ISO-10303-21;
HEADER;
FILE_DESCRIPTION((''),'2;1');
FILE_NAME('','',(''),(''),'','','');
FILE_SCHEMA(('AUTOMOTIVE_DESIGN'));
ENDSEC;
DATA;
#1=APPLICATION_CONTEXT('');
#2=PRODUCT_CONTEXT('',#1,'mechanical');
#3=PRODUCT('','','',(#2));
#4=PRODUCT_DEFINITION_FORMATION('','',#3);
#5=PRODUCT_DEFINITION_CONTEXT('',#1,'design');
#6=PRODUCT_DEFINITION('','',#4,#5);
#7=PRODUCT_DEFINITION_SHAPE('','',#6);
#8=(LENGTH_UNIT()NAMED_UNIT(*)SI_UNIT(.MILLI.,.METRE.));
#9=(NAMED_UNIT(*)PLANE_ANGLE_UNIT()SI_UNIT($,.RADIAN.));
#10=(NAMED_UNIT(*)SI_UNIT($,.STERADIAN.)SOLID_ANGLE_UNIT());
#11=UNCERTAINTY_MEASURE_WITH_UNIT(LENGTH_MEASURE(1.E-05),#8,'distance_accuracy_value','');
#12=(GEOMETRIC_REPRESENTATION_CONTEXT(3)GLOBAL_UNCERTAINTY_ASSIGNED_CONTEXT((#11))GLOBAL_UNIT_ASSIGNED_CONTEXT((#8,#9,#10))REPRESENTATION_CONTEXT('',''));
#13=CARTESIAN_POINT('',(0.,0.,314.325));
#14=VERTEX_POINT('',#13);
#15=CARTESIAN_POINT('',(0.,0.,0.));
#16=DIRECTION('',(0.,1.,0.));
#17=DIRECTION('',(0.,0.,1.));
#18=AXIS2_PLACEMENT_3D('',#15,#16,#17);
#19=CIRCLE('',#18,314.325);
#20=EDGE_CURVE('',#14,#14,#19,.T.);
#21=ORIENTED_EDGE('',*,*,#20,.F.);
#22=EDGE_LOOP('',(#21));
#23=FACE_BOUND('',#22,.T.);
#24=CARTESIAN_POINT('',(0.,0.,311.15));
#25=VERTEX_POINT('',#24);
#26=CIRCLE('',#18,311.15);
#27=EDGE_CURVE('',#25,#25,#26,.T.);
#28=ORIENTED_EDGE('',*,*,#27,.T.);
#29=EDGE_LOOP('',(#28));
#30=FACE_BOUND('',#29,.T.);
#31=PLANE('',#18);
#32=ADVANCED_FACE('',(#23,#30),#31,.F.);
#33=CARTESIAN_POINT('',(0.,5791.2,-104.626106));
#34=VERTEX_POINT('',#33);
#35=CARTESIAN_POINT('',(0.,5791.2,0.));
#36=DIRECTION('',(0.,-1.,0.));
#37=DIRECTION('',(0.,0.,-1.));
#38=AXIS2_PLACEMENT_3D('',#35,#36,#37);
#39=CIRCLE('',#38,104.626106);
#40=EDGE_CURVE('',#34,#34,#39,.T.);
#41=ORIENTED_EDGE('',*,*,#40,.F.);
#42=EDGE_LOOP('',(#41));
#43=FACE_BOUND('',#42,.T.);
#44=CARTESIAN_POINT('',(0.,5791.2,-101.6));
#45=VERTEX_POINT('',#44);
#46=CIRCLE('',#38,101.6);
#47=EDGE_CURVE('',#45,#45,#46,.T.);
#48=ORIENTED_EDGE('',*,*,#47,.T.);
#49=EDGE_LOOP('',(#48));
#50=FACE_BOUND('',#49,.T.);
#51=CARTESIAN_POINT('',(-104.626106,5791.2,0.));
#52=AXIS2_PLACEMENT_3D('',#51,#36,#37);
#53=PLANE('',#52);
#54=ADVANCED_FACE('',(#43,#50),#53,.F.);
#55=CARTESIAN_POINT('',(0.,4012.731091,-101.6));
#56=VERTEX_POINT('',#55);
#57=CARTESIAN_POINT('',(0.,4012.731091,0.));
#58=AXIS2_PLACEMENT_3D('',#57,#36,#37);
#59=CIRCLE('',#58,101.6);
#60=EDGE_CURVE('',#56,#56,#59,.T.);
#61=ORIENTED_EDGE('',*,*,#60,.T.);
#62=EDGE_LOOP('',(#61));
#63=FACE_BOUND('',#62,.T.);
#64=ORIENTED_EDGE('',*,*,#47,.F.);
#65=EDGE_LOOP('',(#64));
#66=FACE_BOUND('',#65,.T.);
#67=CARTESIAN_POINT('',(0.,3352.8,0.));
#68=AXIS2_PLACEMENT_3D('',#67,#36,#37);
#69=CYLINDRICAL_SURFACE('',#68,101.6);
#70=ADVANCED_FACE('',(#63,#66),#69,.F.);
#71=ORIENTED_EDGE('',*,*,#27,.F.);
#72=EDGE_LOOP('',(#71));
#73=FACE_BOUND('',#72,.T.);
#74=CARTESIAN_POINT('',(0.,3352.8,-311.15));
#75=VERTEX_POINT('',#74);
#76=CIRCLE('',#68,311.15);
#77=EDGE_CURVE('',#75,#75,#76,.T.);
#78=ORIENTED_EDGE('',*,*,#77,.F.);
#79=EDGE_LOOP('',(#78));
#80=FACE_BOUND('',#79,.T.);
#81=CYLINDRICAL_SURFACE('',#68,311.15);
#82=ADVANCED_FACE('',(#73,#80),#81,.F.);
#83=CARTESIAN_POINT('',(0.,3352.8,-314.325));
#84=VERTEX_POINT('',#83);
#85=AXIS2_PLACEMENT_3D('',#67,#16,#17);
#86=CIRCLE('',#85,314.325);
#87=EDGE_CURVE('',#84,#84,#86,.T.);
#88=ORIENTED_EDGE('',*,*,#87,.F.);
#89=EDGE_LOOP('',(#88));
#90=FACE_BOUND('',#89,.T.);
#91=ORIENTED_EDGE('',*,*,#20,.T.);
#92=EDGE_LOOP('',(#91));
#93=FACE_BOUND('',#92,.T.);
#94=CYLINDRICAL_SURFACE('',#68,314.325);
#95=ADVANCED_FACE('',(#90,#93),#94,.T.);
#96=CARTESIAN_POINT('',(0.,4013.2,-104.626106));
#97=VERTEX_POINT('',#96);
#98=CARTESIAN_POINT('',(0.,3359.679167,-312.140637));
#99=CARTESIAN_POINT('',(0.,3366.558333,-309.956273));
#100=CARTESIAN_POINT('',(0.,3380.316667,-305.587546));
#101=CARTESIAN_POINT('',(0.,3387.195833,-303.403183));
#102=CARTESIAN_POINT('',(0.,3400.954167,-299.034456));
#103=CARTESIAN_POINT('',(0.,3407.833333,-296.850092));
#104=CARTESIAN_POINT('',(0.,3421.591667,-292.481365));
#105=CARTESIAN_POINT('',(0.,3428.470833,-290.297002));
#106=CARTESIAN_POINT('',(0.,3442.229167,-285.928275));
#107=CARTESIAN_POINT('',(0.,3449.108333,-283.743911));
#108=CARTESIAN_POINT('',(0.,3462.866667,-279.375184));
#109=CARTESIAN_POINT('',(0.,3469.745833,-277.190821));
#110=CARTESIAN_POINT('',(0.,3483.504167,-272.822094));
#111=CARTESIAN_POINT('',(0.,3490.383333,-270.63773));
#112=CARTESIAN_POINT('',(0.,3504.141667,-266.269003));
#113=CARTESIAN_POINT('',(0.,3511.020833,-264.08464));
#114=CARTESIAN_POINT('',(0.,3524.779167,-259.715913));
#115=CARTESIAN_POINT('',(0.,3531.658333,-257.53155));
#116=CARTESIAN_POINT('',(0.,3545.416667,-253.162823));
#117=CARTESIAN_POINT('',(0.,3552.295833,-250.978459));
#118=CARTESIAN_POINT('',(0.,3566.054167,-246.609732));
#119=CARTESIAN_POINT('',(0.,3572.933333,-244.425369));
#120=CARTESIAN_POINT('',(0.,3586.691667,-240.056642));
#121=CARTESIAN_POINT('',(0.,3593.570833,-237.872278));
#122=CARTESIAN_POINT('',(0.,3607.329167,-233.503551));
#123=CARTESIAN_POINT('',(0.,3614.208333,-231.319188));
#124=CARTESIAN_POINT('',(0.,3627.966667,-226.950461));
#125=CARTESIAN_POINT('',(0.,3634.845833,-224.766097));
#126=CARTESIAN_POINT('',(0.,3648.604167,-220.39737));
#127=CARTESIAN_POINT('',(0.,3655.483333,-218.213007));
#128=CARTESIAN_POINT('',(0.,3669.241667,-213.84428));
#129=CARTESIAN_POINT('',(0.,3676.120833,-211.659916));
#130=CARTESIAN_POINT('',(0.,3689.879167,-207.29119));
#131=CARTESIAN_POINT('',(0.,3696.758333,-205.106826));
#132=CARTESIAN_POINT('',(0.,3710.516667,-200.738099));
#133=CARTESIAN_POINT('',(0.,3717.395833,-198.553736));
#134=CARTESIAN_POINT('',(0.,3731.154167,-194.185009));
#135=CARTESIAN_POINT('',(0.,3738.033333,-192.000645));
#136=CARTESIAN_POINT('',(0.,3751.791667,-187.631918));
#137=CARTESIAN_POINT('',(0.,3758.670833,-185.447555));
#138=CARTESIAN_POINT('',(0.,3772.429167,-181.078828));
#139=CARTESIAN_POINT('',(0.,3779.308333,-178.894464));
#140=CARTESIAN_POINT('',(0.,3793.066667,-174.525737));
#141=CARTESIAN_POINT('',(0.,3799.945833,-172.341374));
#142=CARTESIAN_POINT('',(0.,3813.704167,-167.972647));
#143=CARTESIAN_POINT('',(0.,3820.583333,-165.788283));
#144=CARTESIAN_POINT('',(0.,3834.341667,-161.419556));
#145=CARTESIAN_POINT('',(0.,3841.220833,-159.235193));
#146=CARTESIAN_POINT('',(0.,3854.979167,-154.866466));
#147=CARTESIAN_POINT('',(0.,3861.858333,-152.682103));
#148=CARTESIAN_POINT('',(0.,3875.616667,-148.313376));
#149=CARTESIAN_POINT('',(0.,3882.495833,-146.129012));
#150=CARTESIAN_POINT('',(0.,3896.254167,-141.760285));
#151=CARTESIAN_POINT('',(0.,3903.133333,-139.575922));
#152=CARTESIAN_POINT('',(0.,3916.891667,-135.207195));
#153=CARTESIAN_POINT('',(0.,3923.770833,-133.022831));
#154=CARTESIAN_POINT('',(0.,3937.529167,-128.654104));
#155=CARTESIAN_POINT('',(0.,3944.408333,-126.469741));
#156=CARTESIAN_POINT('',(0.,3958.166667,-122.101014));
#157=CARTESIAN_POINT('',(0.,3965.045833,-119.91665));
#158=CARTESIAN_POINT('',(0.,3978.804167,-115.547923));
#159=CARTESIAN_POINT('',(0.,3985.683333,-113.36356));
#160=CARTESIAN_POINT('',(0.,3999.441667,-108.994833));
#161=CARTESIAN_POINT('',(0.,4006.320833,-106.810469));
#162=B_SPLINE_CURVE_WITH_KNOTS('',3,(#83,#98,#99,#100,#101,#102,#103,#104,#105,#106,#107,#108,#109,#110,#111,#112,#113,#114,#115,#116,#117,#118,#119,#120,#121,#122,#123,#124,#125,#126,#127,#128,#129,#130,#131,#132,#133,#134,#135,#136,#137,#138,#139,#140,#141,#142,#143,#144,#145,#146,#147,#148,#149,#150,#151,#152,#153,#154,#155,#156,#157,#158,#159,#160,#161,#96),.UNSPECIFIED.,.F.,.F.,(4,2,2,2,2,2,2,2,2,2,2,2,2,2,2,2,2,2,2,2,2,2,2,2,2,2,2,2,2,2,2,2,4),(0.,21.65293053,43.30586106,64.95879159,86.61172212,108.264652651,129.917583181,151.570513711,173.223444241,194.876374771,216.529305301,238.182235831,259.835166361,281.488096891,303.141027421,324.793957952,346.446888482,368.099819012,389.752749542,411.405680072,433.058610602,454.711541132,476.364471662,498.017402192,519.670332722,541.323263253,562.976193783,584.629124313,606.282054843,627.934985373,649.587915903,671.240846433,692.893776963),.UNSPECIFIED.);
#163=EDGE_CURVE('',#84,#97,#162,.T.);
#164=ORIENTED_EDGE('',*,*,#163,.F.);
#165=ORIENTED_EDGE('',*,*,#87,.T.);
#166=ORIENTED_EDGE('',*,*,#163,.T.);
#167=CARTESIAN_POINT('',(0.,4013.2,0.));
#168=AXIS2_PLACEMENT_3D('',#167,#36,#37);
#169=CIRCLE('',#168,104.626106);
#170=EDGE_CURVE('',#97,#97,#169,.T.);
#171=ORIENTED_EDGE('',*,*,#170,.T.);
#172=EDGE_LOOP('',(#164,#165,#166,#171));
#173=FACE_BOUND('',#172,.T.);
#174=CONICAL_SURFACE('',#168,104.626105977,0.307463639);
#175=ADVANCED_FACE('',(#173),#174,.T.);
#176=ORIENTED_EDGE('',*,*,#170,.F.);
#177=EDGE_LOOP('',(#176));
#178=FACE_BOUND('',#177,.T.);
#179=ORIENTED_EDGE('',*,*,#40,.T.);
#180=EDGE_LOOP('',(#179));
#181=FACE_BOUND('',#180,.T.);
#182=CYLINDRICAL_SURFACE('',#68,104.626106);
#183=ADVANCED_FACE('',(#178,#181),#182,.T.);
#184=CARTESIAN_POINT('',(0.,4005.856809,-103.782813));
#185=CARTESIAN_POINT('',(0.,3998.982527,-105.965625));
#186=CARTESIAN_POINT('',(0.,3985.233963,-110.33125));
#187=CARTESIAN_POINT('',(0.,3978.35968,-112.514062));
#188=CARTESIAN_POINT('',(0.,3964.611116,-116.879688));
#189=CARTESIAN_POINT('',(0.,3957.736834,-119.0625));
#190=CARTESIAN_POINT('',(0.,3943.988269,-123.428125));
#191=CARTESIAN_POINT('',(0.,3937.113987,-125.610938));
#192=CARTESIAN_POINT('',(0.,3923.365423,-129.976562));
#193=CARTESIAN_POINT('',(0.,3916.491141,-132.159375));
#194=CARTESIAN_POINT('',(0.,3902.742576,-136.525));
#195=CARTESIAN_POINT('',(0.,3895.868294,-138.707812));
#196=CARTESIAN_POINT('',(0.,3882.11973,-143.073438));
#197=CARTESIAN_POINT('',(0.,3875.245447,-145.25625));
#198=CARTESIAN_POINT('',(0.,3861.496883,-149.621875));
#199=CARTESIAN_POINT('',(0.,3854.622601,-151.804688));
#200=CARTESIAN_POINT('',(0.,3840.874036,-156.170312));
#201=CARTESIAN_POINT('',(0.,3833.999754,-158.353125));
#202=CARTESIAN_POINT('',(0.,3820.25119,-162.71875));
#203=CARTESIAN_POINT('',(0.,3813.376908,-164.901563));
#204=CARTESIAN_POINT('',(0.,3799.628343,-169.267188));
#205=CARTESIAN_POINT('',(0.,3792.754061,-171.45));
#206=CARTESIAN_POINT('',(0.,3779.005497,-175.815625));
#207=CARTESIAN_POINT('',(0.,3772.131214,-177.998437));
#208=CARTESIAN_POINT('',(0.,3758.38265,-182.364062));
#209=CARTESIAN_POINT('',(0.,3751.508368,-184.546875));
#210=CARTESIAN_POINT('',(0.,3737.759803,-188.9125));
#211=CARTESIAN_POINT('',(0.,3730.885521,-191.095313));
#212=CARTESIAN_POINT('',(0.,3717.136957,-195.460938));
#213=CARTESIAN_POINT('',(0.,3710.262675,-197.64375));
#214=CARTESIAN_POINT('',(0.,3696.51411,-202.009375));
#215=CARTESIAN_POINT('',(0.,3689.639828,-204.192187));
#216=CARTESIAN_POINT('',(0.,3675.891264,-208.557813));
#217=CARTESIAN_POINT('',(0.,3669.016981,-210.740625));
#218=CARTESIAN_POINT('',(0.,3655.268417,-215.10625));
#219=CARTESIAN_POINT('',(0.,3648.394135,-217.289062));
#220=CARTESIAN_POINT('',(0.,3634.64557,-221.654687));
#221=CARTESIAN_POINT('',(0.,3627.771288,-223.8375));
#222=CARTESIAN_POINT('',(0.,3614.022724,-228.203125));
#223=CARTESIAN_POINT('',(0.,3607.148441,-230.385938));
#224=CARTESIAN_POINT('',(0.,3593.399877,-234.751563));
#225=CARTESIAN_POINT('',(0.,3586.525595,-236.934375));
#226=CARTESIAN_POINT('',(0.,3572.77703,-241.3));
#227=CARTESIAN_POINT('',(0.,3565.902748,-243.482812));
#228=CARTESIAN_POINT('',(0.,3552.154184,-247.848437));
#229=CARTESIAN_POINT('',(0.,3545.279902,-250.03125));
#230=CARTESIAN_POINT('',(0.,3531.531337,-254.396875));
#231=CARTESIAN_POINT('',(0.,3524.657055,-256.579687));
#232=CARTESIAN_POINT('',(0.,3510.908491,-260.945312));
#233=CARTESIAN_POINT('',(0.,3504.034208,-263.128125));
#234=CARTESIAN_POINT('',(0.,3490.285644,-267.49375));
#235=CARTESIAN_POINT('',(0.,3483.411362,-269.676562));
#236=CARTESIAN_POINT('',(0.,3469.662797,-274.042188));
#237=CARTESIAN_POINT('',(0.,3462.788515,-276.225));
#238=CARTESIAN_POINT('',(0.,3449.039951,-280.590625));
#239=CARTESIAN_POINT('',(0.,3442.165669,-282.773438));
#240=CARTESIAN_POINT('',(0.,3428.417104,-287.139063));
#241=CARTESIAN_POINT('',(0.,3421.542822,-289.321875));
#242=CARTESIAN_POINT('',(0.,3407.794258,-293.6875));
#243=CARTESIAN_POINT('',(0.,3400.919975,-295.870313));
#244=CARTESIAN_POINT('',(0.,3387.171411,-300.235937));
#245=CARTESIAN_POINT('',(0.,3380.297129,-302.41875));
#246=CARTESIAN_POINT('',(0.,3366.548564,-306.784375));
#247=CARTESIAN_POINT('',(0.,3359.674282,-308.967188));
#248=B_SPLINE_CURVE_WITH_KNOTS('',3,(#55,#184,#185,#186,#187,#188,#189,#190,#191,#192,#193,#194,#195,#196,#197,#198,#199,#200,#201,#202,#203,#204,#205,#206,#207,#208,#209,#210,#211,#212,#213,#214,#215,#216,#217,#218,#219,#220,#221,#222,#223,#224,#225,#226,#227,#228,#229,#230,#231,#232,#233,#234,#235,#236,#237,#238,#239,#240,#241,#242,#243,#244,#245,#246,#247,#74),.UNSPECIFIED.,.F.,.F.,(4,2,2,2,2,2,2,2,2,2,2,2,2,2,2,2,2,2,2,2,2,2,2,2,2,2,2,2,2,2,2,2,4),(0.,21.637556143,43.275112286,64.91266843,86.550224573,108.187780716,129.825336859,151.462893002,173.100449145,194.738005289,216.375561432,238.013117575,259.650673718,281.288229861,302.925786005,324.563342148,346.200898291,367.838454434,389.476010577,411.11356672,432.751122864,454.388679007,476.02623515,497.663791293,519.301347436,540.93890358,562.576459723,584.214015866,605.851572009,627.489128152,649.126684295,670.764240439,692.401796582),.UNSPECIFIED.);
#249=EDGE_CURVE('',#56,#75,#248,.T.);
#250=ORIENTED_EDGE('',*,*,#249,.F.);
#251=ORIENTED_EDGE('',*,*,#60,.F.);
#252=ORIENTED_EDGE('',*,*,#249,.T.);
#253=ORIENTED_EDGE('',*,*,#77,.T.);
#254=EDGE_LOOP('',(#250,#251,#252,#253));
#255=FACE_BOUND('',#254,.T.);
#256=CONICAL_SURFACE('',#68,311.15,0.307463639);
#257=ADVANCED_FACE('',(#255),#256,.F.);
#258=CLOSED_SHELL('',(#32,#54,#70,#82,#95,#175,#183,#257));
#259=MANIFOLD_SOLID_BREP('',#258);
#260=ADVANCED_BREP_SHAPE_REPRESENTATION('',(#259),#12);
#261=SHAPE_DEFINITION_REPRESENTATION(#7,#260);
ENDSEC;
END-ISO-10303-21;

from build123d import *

# Parameters (mm, degrees)
SKETCH1_R           = 314.325
SKETCH1_R_2         = 311.15
BOSS_EXTRUDE1_DEPTH = 3352.8


with BuildPart() as part:
    # Sketch1 → Boss-Extrude1 (new body)
    with BuildSketch(Plane(origin=(0, 0, 0), x_dir=(1, 0, 0), z_dir=(0, 1, 0))):
        with Locations(Location((0, 0, 0), (0, 0, 270))):
            Circle(SKETCH1_R)
        with Locations(Location((0, 0, 0), (0, 0, 270))):
            Circle(SKETCH1_R_2, mode=Mode.SUBTRACT)
    extrude(amount=BOSS_EXTRUDE1_DEPTH)

    # Sketch2 → Revolve1 (revolve)
    with BuildSketch(Plane.XY, mode=Mode.PRIVATE) as revolve1_sk:
        Polygon((-314.325, 3352.8), (-104.626105977, 4013.2), (-104.626105977, 5791.2), (-101.6, 5791.2), (-101.6, 4012.73109141), (-311.15, 3352.8), align=None)
    revolve(revolve1_sk.sketch.rotate(Axis((0, 3352.8, 0), (0, 1, 0)), 270), axis=Axis((0, 3352.8, 0), (0, 1, 0)))


solid = part.part
